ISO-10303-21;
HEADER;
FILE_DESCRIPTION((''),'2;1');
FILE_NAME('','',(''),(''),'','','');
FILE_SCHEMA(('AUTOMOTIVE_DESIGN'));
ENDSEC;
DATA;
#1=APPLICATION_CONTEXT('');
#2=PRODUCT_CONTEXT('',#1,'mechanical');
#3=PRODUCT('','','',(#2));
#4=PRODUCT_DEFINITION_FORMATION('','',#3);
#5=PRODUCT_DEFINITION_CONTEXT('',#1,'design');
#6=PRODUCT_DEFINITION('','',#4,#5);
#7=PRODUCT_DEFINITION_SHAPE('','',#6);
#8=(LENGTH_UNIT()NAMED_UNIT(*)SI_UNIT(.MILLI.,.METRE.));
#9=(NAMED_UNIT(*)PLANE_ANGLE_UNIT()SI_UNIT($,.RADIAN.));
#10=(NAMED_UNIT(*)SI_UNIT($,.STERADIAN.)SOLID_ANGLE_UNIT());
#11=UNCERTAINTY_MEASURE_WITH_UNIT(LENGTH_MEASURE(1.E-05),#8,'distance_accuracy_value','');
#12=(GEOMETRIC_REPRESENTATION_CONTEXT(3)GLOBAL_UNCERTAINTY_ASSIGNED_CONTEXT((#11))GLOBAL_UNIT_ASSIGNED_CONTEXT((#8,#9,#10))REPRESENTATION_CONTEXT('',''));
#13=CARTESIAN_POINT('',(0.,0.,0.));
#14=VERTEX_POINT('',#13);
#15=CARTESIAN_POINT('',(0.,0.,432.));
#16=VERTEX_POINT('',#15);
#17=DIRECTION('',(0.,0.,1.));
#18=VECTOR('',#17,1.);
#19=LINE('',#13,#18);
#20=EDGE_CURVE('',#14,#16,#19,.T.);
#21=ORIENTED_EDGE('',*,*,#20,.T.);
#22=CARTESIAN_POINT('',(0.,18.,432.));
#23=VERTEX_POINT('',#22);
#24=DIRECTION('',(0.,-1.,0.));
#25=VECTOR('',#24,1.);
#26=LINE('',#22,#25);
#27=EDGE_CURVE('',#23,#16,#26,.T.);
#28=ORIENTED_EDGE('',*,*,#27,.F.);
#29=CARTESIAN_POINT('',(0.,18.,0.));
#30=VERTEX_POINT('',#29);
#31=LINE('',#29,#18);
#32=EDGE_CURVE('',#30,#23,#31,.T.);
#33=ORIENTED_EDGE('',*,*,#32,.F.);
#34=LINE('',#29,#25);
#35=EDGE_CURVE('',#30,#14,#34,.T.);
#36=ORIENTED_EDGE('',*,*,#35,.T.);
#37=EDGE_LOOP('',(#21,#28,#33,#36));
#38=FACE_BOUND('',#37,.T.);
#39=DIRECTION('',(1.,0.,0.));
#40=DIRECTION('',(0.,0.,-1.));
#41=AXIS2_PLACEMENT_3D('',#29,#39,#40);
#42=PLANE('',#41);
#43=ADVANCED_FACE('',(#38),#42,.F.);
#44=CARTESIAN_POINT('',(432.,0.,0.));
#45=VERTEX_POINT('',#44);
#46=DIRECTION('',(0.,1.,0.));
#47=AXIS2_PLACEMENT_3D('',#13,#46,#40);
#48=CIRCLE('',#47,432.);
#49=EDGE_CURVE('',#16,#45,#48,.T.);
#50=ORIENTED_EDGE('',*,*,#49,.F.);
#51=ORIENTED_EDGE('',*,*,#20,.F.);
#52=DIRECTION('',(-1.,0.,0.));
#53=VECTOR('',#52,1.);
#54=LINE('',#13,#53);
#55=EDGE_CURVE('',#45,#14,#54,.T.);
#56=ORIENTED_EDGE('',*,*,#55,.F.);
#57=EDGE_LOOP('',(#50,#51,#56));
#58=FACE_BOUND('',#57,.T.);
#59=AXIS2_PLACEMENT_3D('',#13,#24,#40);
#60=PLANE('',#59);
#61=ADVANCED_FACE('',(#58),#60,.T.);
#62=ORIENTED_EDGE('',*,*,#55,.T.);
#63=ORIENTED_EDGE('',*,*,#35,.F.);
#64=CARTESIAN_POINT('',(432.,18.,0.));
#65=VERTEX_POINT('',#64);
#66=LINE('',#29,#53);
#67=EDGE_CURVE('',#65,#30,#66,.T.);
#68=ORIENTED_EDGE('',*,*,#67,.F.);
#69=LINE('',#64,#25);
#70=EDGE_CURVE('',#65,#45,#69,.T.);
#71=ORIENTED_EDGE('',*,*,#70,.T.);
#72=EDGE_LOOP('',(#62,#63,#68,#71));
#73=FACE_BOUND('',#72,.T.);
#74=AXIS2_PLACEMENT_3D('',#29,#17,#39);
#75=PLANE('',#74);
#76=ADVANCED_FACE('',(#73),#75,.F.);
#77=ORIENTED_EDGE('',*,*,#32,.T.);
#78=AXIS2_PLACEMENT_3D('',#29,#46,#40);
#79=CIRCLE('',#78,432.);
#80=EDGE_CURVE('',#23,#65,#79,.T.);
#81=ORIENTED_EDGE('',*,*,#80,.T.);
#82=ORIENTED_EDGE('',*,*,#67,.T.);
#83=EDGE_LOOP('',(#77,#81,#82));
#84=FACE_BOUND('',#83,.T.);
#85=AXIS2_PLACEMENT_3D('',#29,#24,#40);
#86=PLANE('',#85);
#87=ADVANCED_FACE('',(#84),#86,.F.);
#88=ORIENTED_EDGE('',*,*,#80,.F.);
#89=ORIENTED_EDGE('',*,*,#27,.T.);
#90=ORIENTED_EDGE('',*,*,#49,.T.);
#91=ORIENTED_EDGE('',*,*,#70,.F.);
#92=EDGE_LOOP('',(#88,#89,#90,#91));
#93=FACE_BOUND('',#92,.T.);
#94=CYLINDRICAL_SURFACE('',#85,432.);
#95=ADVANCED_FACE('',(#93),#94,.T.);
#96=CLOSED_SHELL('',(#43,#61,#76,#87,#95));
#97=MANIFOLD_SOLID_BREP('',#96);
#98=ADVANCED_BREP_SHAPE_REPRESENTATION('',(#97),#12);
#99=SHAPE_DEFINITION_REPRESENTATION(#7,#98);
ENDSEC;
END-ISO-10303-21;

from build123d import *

# Parameters (mm, degrees)
BOSS_EXTRUDE1_DEPTH = 18


with BuildPart() as part:
    # Sketch1 → Boss-Extrude1 (new body)
    with BuildSketch(Plane(origin=(0, 0, 0), x_dir=(1, 0, 0), z_dir=(0, 1, 0))):
        with BuildLine():
            Line((0, 0), (0, -432))
            ThreePointArc((0, -432), (305.470129473, -305.470129473), (432, 0))
            Line((432, 0), (0, 0))
        make_face()
    extrude(amount=BOSS_EXTRUDE1_DEPTH)


solid = part.part
